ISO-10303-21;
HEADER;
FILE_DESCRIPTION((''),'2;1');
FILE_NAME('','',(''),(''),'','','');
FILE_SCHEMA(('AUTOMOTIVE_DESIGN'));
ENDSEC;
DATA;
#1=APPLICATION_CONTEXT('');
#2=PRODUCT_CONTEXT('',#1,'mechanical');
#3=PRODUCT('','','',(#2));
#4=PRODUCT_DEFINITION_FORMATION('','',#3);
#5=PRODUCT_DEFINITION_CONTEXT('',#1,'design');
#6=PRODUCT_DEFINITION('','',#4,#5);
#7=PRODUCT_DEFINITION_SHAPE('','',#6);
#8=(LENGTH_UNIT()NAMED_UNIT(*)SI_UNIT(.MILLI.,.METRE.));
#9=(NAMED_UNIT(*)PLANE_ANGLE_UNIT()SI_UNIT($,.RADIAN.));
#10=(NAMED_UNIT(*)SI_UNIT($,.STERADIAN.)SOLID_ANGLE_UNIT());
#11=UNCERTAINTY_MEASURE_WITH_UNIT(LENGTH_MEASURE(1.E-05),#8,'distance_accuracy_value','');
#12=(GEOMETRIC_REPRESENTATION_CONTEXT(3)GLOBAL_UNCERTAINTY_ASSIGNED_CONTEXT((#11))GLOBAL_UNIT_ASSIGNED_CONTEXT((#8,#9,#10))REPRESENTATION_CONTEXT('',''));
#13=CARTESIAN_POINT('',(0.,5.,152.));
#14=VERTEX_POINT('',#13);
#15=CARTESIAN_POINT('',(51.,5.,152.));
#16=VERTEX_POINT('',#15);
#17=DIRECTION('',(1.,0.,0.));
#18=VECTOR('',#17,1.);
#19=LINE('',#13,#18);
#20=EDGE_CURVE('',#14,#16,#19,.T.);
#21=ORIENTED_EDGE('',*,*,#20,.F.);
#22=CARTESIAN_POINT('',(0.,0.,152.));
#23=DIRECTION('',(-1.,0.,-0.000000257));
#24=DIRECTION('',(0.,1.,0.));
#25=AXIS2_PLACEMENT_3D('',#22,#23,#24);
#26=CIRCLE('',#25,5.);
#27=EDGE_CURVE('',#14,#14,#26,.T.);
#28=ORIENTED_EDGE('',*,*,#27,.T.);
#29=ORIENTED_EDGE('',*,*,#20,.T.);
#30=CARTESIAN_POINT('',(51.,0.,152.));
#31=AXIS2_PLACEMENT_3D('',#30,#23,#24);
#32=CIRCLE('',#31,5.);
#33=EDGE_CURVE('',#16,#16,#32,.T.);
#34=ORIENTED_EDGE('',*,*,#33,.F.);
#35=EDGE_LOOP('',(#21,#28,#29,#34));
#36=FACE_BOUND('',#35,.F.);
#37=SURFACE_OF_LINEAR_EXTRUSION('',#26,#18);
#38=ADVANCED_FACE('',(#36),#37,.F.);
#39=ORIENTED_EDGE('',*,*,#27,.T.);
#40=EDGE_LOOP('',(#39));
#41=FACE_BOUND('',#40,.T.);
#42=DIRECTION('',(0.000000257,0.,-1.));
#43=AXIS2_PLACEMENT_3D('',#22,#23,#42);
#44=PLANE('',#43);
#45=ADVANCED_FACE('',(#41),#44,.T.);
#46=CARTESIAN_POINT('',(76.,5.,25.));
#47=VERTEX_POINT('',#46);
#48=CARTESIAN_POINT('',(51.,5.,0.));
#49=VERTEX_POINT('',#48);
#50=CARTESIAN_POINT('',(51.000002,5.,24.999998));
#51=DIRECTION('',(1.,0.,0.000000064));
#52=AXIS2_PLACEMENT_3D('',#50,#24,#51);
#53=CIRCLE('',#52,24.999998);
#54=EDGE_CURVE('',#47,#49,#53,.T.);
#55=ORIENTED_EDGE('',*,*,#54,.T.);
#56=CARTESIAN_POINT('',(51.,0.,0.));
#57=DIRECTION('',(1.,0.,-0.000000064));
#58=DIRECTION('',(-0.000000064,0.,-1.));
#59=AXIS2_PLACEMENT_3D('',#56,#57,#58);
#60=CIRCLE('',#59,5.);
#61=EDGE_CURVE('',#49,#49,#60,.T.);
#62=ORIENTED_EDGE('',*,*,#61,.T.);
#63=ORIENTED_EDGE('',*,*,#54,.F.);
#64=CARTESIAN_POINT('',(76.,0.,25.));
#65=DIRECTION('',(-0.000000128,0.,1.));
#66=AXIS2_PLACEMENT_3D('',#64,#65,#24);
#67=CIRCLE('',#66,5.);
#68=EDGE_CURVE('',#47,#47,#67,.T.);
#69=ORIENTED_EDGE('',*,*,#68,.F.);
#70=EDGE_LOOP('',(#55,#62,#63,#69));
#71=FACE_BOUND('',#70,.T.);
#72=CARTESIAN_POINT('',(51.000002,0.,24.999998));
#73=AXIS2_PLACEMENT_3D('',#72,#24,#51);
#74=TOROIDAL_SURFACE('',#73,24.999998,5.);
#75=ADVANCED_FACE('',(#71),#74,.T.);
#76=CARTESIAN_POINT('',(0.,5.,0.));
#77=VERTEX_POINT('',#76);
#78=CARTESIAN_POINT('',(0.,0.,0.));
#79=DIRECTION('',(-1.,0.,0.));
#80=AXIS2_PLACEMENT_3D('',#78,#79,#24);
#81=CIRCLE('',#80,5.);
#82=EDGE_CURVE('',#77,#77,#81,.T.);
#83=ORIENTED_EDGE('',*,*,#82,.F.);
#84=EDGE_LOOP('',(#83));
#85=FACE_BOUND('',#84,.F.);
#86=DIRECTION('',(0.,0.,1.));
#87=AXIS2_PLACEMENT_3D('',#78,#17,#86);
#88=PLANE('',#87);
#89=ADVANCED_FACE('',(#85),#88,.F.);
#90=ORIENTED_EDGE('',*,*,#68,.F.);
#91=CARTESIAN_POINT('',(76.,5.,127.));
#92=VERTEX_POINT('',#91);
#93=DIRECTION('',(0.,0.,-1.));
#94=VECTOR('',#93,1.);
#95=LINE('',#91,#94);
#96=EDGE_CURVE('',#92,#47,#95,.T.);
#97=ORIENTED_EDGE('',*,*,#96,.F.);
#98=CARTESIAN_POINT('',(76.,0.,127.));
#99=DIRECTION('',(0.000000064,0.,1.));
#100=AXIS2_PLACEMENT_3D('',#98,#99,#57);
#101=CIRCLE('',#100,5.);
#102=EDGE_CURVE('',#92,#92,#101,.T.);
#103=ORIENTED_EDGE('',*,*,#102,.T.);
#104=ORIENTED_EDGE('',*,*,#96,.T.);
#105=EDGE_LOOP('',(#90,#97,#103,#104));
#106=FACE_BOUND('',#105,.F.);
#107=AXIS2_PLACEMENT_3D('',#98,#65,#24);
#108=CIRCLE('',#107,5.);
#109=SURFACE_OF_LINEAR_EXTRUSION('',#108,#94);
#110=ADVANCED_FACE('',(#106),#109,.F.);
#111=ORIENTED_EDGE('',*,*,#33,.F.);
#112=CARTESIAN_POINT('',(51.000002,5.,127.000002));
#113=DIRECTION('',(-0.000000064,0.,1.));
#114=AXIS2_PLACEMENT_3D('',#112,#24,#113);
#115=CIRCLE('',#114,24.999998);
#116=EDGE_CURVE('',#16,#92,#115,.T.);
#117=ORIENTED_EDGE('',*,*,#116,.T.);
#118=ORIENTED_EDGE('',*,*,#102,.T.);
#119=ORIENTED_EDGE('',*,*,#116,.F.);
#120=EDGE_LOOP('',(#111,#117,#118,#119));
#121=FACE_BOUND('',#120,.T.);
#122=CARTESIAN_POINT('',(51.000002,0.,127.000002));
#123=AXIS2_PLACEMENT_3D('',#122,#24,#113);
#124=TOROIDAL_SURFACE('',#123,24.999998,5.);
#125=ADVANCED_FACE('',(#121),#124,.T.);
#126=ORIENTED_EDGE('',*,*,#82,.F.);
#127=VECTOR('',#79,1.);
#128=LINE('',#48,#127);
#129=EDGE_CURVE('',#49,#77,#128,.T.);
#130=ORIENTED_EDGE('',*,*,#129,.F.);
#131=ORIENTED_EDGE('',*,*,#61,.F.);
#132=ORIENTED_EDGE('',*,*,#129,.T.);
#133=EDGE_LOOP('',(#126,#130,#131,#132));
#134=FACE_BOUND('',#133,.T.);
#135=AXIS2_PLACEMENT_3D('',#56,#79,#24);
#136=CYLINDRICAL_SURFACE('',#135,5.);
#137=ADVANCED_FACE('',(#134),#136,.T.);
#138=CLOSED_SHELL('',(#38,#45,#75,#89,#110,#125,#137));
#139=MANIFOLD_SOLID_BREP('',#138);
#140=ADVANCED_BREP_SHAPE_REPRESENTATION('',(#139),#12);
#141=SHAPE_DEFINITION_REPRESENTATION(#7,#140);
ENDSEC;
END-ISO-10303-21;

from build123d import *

# Parameters (mm, degrees)
F1_R = 5


with BuildPart() as f2:
    # F2: sweep along a path in F0
    with BuildLine(Plane.XZ) as f2_path:
        Line((0, 152), (51, 152))
        ThreePointArc((51, 152), (68.67767, 144.67767), (76, 127))
        Line((76, 127), (76, 25))
        ThreePointArc((76, 25), (68.67767, 7.32233), (51, 0))
        Line((51, 0), (0, 0))
    # F1 (on Right) → F2 (sweep)
    with BuildSketch(Plane.YZ):
        Circle(F1_R)
    sweep(path=f2_path.line)


solid = f2.part
